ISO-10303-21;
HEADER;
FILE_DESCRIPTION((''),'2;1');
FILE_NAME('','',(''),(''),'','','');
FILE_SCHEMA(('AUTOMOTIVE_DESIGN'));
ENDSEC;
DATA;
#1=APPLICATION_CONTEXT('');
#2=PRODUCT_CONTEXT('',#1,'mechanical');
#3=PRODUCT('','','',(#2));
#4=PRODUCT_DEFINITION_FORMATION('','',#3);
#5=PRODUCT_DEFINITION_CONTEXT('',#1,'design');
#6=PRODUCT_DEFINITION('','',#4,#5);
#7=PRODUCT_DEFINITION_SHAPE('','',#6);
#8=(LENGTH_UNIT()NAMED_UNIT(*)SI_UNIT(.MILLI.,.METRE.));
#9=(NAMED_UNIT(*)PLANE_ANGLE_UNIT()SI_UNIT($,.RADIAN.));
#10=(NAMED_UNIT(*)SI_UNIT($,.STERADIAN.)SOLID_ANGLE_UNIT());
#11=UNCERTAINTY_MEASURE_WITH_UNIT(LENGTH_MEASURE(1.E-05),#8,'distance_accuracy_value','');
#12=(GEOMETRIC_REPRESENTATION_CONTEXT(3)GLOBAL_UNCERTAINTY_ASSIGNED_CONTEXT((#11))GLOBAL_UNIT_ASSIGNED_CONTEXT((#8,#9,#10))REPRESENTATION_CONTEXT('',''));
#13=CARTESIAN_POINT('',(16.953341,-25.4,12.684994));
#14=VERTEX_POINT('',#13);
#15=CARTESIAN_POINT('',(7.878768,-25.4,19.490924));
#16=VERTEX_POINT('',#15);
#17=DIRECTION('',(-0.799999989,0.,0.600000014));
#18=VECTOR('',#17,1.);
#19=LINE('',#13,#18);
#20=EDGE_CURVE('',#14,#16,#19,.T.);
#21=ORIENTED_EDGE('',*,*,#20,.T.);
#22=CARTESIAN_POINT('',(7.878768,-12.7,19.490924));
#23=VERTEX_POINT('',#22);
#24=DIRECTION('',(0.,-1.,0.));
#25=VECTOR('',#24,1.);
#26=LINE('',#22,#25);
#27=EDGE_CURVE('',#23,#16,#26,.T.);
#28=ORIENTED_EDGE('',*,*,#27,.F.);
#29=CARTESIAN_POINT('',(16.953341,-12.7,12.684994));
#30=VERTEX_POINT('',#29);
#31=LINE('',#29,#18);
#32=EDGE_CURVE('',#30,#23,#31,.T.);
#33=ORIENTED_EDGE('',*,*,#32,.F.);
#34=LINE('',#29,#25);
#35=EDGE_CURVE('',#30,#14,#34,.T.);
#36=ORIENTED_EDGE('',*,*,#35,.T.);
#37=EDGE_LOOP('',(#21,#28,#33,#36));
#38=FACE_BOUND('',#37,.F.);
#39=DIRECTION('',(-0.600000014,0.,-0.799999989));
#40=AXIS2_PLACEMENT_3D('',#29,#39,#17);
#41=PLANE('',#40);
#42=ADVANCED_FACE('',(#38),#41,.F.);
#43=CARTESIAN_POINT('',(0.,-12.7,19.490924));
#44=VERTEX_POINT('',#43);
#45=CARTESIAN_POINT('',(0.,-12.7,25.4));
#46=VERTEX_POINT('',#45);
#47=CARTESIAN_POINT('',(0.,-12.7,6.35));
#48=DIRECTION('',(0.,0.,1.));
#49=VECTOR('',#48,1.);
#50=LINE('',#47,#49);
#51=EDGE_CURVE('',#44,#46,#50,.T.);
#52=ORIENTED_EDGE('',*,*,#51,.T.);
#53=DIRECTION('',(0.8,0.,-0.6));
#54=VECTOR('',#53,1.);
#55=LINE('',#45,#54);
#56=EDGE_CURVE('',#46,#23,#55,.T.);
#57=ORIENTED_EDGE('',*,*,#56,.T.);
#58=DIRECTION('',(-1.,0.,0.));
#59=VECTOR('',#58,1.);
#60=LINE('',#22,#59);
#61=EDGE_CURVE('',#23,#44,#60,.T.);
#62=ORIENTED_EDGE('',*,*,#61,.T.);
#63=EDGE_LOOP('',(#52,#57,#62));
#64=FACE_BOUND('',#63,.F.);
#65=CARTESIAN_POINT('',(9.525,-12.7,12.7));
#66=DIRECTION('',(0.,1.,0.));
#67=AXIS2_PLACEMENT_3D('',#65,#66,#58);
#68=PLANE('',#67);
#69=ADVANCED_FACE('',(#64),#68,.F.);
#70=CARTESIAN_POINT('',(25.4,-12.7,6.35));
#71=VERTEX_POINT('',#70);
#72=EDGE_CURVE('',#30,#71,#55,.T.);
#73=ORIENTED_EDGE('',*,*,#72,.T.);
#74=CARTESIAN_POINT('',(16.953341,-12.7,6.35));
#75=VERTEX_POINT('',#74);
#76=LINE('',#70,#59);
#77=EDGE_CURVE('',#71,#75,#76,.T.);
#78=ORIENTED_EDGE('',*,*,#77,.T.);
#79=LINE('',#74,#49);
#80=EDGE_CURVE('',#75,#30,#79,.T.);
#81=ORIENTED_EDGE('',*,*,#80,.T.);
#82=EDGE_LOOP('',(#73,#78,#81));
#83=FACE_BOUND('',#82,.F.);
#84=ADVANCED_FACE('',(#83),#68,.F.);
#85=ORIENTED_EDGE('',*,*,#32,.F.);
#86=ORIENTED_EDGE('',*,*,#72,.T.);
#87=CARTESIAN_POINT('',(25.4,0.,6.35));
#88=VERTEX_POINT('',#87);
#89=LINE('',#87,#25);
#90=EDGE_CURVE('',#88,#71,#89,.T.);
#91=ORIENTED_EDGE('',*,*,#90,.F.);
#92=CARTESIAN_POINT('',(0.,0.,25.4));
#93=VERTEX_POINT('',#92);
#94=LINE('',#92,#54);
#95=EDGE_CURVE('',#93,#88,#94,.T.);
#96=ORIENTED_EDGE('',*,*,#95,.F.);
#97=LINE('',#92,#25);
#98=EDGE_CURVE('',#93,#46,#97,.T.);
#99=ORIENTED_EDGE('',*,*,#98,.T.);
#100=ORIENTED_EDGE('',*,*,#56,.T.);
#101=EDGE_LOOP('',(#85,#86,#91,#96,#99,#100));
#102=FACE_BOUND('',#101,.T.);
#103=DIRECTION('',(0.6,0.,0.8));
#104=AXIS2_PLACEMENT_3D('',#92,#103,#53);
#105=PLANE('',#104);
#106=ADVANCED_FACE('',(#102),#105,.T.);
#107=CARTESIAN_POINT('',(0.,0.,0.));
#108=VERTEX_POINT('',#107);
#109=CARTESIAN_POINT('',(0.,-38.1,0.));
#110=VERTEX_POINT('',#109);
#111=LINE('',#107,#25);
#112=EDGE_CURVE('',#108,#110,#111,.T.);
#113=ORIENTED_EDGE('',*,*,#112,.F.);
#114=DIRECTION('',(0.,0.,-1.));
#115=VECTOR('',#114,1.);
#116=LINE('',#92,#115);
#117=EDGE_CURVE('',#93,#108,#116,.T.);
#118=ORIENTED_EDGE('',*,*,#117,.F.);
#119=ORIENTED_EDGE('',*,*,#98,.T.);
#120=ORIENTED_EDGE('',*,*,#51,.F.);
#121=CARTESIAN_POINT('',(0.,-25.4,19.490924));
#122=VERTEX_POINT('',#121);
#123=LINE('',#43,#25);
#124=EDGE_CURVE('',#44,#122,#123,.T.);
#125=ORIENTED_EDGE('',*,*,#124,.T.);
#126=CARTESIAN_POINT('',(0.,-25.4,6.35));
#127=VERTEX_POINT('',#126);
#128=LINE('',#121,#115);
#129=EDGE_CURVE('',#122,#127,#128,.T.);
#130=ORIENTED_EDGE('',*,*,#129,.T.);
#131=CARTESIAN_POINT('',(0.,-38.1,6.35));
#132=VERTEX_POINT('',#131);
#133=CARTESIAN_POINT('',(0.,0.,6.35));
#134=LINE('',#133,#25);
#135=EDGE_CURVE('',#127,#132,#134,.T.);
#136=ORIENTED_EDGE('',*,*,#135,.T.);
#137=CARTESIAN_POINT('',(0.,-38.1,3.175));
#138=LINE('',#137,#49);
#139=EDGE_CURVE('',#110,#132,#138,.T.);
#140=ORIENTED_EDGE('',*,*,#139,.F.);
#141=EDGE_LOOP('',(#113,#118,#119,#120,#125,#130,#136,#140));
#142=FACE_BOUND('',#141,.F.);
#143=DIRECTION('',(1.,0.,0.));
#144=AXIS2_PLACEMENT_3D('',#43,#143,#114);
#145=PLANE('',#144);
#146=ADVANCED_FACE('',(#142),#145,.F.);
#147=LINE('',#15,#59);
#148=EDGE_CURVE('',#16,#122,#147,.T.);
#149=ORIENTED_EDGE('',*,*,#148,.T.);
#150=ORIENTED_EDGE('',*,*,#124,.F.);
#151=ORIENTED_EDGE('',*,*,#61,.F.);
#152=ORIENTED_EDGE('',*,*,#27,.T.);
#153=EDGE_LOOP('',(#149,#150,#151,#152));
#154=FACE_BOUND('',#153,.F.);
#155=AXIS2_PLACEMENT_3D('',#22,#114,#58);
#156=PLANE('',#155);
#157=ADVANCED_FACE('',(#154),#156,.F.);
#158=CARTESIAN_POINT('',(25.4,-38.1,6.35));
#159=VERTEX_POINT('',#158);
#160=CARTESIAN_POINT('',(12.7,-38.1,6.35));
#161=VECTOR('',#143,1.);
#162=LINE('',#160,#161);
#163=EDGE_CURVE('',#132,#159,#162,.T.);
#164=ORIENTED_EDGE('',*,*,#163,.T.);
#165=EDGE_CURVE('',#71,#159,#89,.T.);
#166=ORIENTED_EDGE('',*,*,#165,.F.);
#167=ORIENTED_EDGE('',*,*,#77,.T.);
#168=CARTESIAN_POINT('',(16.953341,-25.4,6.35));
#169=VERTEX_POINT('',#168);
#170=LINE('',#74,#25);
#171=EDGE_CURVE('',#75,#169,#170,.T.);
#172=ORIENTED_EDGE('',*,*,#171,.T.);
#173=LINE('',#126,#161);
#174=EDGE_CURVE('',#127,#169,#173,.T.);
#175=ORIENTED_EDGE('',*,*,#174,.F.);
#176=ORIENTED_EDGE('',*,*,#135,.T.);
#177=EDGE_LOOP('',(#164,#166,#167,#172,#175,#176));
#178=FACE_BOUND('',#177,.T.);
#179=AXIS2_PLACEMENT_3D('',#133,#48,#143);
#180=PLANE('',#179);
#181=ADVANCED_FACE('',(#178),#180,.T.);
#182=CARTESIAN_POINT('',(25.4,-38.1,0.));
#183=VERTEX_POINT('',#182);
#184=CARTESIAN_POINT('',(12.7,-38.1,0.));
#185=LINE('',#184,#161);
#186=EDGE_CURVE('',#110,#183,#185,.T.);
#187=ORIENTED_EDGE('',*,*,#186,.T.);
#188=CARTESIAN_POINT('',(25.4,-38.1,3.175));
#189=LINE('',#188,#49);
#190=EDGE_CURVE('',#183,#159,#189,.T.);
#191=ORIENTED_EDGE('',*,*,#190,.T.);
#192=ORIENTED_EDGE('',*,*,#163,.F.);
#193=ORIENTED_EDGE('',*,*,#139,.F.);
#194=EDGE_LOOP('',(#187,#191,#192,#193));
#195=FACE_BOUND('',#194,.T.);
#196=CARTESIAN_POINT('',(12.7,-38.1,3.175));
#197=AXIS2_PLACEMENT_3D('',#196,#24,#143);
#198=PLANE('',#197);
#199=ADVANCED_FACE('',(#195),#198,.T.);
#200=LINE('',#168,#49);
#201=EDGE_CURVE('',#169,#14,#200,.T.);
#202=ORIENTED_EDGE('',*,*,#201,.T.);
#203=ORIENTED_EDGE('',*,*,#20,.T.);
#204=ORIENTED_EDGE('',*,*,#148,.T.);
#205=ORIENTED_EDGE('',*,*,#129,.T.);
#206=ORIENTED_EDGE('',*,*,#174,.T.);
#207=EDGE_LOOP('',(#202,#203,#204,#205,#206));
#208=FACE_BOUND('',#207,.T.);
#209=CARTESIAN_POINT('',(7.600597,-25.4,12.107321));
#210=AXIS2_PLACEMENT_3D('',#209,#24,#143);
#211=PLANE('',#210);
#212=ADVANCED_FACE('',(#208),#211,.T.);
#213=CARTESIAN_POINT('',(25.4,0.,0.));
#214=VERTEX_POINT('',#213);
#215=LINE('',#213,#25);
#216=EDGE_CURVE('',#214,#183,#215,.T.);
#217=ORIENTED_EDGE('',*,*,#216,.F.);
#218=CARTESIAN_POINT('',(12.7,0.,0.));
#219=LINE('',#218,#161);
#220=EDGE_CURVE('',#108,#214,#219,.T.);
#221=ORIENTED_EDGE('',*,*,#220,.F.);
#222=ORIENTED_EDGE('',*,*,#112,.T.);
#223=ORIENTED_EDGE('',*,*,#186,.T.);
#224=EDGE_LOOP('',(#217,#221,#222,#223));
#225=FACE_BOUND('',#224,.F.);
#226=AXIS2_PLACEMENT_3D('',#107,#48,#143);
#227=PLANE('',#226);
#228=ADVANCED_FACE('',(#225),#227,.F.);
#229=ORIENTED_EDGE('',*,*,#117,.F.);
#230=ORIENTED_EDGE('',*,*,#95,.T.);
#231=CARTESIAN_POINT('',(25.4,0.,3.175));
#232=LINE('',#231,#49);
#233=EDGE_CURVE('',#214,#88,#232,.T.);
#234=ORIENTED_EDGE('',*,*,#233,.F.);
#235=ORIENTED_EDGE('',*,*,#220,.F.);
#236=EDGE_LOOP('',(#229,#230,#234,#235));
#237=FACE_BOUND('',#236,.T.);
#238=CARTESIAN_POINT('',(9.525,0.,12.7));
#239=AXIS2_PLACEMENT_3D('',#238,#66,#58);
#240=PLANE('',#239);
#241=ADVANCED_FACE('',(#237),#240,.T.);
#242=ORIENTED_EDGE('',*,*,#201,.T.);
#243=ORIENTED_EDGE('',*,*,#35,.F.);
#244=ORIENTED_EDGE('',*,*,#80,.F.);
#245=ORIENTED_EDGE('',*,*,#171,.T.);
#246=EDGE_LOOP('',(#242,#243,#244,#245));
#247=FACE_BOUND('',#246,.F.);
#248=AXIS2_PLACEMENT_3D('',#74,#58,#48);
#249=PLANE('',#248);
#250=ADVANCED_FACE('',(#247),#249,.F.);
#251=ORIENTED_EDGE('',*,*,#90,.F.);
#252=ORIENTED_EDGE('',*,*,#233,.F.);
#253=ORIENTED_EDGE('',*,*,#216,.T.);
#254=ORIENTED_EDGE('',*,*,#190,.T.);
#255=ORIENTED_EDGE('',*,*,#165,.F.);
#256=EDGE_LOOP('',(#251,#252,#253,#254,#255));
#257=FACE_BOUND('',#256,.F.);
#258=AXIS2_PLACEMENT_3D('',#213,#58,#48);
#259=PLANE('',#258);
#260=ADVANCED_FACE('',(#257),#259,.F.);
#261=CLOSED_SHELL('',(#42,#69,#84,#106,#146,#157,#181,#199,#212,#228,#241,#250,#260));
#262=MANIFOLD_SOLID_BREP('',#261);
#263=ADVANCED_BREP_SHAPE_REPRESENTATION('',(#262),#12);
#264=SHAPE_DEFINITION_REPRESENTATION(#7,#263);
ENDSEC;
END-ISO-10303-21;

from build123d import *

# Parameters (mm, degrees)
F0_W     = 25.4
F0_H     = 6.35
F1_DEPTH = 38.1
F3_DEPTH = 12.7
F5_DEPTH = 12.7


with BuildPart() as f1:
    # F0 (on Front) → F1 (new body)
    with BuildSketch(Plane.XZ):
        with Locations((12.7, 3.175)):
            Rectangle(F0_W, F0_H)
    extrude(amount=F1_DEPTH)

    # F2 (on face) → F3 (join)
    with BuildSketch(Plane(origin=(0, 0, 0), x_dir=(-1, 0, 0), z_dir=(0, 1, 0))):
        Polygon((-25.4, 6.35), (0, 6.35), (0, 25.4), align=None)
    extrude(amount=-F3_DEPTH)

    # F4 (on face) → F5 (join)
    with BuildSketch(Plane.XZ.offset(12.7)):
        Polygon((0, 19.490924), (0, 6.35), (16.953341, 6.35), (16.953341, 12.684994), (7.878768, 19.490924), align=None)
    extrude(amount=F5_DEPTH)


solid = f1.part
